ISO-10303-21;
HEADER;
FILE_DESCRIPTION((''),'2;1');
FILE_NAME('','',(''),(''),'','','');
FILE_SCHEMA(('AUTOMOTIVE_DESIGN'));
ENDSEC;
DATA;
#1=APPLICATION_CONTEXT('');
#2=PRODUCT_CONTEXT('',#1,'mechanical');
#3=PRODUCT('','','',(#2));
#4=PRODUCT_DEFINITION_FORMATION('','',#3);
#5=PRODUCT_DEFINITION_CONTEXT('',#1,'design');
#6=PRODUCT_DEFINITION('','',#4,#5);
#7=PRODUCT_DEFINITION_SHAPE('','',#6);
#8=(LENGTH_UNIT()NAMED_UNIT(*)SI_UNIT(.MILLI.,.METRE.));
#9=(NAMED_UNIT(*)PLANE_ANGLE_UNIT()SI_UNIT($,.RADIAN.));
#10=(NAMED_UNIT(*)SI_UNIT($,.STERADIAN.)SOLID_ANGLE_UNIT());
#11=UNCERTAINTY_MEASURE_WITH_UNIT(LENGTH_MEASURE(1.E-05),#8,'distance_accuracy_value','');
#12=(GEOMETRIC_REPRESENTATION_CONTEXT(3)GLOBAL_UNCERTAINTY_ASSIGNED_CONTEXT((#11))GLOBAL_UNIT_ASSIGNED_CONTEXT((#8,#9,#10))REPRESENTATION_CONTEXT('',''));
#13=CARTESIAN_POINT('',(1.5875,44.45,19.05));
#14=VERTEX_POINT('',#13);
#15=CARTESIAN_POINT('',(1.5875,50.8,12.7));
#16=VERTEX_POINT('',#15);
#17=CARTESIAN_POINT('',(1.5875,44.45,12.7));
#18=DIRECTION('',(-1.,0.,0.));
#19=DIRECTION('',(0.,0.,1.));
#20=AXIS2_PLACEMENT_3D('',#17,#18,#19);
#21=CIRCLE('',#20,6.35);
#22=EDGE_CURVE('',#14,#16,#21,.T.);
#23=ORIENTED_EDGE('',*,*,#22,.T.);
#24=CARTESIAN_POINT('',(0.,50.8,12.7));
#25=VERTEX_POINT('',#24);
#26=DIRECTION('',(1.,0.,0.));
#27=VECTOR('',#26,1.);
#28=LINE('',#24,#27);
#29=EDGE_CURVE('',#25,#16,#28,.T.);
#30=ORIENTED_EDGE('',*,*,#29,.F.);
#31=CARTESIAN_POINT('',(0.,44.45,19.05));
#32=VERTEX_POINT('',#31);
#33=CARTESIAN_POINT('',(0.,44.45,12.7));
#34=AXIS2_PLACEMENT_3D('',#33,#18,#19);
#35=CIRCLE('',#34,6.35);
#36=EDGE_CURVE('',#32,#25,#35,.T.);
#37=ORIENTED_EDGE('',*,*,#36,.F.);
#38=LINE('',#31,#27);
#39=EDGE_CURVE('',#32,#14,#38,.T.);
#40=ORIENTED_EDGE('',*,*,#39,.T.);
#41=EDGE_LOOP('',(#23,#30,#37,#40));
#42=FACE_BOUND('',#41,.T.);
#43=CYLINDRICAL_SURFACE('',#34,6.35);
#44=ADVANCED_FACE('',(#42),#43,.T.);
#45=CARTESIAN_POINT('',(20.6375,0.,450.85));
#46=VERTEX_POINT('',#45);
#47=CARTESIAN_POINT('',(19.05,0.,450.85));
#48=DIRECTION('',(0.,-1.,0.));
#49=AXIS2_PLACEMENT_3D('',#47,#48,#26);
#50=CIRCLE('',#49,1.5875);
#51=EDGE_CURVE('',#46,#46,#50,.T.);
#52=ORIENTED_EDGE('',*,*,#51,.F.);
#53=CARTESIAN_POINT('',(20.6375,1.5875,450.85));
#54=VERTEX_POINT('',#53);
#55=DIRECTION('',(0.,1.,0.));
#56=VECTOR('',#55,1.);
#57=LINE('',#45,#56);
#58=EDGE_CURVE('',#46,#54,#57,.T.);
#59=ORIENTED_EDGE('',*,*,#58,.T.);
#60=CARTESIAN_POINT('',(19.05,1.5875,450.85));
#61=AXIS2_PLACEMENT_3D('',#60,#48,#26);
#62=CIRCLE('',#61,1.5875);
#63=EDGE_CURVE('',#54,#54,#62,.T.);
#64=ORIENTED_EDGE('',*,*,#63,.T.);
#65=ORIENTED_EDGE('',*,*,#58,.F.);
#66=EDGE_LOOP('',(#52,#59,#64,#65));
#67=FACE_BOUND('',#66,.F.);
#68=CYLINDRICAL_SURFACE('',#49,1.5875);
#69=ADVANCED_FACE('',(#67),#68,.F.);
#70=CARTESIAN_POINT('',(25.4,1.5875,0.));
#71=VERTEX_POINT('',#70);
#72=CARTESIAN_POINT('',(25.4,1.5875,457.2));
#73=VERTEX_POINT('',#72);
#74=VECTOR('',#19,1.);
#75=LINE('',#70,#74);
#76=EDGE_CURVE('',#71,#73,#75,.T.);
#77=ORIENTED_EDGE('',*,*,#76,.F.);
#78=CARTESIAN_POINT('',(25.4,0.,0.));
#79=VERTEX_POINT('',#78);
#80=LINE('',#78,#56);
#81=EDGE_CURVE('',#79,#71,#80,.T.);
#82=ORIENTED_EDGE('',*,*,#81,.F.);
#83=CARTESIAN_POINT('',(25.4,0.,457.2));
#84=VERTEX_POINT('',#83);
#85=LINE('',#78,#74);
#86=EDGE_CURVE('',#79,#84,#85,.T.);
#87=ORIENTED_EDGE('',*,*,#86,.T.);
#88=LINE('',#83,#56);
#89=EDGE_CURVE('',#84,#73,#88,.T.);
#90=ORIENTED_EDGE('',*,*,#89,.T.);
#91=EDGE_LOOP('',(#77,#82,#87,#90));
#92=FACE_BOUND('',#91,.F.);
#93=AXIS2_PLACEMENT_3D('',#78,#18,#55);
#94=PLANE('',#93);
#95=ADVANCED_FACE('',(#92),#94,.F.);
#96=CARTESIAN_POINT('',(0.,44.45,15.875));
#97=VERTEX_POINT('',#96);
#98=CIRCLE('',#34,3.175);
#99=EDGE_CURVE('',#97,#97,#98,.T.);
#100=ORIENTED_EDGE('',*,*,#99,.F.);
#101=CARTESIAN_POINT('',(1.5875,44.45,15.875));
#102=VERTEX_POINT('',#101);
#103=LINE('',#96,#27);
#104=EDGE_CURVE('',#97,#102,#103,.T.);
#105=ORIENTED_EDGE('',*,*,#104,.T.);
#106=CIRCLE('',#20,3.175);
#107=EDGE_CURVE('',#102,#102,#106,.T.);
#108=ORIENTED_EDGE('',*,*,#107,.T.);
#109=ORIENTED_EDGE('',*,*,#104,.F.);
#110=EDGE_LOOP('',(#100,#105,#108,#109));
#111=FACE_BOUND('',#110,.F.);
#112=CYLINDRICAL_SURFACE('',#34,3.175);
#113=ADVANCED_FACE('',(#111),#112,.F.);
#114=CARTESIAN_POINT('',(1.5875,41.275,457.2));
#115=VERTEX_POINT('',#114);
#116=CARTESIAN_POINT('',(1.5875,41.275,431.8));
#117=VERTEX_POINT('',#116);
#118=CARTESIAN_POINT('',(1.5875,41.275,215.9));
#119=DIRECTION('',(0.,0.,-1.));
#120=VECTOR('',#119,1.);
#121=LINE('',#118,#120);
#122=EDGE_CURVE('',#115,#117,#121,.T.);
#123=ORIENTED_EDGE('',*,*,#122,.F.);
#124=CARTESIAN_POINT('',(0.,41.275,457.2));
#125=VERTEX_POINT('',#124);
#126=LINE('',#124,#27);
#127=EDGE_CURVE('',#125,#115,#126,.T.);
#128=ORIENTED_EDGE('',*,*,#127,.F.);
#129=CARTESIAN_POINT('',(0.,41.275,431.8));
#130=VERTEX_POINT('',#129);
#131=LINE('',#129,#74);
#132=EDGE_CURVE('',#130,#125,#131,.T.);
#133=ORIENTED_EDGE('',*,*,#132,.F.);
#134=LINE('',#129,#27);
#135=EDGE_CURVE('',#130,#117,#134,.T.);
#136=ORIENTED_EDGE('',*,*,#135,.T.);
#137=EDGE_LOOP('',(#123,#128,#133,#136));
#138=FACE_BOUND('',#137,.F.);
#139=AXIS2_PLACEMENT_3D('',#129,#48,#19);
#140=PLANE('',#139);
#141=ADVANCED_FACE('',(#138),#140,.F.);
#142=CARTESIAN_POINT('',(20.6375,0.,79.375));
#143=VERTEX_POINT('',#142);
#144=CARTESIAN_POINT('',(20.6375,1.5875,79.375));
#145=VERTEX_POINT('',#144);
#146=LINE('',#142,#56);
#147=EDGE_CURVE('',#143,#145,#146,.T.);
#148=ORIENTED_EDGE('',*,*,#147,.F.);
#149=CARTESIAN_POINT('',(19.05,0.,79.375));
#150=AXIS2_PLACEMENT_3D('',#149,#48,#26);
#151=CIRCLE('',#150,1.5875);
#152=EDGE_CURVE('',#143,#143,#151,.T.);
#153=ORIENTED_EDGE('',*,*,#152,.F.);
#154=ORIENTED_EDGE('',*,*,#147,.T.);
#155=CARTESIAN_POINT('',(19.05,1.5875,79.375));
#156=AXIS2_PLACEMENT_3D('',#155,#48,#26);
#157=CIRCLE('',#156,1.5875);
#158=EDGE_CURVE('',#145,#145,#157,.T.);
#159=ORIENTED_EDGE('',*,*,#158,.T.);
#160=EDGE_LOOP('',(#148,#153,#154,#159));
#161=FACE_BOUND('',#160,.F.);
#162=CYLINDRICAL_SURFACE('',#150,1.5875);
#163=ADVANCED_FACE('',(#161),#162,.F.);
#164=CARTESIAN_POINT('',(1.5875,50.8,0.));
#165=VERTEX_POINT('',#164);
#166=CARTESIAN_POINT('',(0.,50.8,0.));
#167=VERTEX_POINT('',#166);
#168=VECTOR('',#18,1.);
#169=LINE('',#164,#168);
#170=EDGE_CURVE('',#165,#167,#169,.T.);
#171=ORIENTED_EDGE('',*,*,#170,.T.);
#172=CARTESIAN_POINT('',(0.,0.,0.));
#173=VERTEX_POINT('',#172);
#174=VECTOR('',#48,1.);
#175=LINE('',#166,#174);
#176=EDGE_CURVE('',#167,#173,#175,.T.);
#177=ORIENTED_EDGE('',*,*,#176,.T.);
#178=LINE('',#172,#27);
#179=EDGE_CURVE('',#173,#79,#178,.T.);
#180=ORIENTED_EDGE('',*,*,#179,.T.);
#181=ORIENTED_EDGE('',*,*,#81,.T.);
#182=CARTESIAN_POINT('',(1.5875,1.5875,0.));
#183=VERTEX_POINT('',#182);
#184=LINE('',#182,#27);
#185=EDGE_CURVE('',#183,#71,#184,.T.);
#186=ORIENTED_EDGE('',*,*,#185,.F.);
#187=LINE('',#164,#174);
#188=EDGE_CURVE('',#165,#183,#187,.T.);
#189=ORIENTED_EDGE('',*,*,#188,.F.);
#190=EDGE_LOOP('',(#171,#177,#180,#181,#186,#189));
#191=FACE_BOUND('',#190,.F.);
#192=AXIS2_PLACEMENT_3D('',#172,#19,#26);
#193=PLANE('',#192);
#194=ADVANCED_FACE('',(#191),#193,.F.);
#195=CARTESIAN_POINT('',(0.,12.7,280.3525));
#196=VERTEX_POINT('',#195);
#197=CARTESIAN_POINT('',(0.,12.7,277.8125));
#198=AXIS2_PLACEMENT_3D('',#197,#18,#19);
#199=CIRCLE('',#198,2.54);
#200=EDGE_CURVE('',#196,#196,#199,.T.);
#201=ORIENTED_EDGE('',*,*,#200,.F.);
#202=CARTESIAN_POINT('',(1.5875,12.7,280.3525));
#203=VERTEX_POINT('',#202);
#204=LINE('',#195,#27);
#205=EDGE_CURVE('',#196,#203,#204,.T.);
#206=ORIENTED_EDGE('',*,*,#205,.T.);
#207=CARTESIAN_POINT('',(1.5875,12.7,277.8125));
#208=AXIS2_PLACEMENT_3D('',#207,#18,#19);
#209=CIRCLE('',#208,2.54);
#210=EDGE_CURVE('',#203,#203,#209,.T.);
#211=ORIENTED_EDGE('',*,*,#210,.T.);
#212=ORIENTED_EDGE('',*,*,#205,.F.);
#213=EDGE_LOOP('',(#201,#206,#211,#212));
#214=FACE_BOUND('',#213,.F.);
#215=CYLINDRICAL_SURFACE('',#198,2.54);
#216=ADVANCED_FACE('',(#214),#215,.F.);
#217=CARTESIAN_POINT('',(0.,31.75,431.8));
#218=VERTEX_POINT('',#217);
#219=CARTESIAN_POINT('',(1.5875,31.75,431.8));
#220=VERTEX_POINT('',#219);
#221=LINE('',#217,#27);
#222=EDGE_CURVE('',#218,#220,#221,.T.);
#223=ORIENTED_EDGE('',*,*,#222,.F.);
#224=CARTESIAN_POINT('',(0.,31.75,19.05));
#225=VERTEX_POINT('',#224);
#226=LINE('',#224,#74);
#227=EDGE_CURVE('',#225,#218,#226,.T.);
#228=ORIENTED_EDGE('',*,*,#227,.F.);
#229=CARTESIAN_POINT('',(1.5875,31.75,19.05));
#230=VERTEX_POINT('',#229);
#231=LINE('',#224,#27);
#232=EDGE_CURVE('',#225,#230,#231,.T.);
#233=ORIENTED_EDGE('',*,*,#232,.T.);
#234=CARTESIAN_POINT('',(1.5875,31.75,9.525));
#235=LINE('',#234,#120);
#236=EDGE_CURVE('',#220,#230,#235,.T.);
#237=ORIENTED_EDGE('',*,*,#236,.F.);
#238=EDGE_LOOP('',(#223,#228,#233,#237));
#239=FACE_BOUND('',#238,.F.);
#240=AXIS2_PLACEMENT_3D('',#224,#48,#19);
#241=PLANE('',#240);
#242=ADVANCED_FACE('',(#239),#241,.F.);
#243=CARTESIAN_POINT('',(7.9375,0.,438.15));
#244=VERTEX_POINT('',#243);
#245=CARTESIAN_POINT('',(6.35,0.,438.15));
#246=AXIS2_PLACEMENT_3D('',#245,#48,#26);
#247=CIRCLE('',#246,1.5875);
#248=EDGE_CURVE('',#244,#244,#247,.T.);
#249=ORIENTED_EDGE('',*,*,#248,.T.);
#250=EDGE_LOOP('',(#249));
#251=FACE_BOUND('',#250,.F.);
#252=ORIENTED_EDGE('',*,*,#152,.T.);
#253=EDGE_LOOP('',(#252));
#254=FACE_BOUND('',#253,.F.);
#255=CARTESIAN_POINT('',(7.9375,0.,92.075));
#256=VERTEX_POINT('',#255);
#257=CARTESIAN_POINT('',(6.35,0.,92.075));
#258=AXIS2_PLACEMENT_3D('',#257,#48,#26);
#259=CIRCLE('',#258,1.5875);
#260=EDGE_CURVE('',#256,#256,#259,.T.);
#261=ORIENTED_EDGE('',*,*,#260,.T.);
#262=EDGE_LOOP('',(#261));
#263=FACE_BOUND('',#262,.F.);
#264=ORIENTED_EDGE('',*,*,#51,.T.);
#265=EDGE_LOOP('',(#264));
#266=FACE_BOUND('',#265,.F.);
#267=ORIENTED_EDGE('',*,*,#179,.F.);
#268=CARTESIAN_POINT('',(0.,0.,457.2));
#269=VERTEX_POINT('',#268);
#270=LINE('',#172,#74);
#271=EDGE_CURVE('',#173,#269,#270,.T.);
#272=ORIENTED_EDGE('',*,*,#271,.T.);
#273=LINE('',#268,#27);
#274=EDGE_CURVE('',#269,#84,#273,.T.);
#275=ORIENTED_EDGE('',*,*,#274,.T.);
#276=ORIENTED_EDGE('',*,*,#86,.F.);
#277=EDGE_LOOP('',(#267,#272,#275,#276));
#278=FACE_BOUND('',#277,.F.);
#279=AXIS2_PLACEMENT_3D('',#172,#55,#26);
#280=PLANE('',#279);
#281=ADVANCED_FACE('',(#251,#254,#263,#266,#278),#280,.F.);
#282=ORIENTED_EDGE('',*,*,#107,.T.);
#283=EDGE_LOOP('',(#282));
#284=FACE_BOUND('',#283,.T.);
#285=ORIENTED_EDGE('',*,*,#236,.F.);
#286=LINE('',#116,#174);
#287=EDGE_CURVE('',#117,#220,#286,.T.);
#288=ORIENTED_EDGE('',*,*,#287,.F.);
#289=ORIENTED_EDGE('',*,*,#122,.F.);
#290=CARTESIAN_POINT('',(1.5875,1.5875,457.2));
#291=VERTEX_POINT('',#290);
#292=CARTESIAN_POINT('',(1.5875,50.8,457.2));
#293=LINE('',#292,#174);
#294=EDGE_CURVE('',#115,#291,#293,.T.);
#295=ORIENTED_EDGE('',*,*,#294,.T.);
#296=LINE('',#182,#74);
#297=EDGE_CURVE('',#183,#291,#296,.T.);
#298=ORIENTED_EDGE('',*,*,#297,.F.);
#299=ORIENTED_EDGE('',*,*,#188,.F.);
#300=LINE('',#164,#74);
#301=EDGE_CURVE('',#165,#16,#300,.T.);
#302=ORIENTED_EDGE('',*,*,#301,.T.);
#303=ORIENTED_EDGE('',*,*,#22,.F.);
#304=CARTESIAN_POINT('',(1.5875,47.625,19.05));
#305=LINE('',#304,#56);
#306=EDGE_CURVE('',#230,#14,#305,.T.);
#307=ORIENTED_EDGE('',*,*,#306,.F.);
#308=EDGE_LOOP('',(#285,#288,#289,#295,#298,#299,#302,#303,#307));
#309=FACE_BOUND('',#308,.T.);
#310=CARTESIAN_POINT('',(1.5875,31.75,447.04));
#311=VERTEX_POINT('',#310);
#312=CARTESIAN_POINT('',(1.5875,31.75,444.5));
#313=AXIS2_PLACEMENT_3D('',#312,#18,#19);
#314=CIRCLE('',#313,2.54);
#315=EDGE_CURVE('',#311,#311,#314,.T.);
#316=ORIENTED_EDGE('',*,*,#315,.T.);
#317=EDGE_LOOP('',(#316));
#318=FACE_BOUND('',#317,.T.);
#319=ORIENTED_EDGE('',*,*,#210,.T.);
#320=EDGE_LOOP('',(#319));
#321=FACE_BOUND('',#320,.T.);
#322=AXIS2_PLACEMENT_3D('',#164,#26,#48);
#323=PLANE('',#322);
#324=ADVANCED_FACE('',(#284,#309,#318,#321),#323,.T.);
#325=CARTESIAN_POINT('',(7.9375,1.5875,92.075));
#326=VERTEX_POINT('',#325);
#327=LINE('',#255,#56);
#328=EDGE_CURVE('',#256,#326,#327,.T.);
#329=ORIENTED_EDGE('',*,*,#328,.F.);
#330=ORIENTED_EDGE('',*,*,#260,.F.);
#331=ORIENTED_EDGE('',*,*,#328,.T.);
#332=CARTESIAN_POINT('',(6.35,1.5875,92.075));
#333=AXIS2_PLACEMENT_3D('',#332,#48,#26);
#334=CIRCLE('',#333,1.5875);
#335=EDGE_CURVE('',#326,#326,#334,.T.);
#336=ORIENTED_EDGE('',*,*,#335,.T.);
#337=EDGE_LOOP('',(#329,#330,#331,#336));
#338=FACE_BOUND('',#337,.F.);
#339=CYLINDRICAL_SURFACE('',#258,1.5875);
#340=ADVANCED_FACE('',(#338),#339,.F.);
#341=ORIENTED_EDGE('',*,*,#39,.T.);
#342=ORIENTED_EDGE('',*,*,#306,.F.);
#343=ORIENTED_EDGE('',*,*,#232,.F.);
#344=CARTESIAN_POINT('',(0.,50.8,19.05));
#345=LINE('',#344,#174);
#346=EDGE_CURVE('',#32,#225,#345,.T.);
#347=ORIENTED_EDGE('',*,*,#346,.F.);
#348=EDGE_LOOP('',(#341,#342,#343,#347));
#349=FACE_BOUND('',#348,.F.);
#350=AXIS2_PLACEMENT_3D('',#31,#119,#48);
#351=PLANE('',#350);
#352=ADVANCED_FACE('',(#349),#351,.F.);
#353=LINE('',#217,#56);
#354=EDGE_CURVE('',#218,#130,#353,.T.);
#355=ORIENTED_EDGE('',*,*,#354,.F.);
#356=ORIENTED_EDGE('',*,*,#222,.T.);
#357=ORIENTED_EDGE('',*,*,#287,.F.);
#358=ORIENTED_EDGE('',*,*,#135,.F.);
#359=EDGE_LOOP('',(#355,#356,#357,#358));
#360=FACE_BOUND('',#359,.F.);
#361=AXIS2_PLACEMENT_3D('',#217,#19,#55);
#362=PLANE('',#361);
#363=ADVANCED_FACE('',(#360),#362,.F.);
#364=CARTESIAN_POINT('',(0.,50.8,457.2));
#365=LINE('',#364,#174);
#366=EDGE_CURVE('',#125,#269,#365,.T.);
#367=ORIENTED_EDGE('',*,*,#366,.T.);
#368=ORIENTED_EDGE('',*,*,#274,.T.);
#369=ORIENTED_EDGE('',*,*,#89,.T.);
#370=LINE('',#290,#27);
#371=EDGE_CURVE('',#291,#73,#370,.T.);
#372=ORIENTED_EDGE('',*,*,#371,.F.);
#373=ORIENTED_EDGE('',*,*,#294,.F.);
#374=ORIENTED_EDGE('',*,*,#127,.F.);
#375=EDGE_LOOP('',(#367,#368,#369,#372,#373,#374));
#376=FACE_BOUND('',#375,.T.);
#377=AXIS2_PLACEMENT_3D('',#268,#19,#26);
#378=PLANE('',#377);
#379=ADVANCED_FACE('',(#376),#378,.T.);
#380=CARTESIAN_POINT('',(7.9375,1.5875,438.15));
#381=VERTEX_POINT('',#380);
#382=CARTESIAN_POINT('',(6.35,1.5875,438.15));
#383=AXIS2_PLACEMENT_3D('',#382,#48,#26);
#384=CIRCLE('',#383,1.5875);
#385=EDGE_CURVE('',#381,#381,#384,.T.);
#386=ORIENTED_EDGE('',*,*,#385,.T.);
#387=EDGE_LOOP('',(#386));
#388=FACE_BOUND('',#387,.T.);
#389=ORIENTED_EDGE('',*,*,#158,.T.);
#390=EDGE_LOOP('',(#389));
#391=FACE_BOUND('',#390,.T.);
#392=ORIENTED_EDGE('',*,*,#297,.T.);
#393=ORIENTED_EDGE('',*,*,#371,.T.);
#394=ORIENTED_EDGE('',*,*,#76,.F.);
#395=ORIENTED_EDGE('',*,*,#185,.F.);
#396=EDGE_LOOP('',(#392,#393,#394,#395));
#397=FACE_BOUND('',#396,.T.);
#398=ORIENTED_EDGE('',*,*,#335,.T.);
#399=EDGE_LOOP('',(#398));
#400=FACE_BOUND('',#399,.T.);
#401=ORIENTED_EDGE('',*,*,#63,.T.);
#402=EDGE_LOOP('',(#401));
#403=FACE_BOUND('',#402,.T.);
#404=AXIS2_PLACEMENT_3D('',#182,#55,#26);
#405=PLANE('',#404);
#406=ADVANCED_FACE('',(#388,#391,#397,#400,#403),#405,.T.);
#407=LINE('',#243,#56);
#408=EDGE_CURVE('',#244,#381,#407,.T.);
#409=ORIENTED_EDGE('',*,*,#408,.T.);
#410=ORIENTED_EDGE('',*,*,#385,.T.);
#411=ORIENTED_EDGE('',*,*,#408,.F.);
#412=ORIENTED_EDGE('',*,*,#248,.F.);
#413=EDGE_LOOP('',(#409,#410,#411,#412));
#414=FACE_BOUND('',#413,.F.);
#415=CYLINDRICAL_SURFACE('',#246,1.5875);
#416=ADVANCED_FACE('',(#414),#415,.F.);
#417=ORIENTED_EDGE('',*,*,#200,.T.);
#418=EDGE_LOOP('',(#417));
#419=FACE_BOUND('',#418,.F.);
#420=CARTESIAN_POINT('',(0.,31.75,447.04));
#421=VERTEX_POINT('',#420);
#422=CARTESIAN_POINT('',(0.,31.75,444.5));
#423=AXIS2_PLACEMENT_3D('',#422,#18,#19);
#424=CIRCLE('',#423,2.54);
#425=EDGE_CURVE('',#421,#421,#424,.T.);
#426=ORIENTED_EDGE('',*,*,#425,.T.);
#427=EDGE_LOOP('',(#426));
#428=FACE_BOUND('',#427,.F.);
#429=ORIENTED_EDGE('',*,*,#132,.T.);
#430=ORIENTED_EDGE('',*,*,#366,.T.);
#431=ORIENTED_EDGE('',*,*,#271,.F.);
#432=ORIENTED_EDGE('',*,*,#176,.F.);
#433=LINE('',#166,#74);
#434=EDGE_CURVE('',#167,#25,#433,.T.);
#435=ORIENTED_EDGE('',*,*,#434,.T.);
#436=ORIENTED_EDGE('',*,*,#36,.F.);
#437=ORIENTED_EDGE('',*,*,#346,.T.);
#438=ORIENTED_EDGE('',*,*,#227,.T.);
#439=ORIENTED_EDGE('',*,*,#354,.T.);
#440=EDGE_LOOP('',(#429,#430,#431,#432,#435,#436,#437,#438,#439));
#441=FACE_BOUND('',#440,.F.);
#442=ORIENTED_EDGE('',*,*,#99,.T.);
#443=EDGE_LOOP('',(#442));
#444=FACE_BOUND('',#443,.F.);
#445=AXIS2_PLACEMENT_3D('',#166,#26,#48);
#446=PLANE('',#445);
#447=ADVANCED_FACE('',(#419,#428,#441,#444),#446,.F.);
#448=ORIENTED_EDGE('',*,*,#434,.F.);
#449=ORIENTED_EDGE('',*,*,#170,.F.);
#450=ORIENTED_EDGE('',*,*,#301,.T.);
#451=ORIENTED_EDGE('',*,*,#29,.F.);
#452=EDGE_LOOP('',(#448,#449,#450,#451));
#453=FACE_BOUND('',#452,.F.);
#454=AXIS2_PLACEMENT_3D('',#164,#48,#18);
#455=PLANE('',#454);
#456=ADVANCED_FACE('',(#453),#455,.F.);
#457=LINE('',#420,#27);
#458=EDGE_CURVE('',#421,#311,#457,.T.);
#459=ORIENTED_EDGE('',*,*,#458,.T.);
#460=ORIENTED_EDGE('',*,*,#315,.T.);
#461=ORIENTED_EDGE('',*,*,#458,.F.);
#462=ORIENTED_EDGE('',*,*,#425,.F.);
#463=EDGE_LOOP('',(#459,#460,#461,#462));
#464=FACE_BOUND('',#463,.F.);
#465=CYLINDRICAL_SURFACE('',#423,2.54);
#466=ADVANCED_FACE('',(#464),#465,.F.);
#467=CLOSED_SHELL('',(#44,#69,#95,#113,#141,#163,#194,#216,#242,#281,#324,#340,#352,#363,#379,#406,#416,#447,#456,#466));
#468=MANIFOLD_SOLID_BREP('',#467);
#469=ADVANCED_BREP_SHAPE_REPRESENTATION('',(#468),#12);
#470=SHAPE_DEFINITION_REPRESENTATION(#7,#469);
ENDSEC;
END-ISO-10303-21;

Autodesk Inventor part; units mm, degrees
ref_plane "YZ Plane" through (0, 0, 0) normal (1, 0, 0) x (0, 1, 0)
ref_plane "XZ Plane" through (0, 0, 0) normal (0, 1, 0) x (-1, 0, 0)
ref_plane "XY Plane" through (0, 0, 0) normal (0, 0, 1) x (1, 0, 0)
sketch "Sketch1" plane through (0, 0, 0) normal (0, 0, 1) x (1, 0, 0)
  line L0 (0, 0) -> (25.4, 0)
  line L1 (25.4, 0) -> (25.4, 1.5875)
  line L2 (1.5875, 50.8) -> (0, 50.8)
  line L3 (0, 50.8) -> (0, 0)
  line L4 (1.5875, 50.8) -> (1.5875, 1.5875)
  line L5 (1.5875, 1.5875) -> (25.4, 1.5875)
  dimension "d0" = 1.5875
  dimension "d1" = 1.5875
  dimension "d2" = 25.4
  dimension "d3" = 50.8
extrude "Extrusion1" add sketch "Sketch1" along normal blind 457.2
sketch "Sketch2" plane through (0, 0, 0) normal (-1, 0, 0) x (0, 0, 1)
  line L0 (457.2, 0) -> (457.2, 50.8) projected
  line L1 (0, 50.8) -> (457.2, 50.8) projected
  line L2 (0, 50.8) -> (0, 0) projected
  line L3 (0, 0) -> (457.2, 0) projected
  line L4 (19.05, 50.8) -> (19.05, 31.75)
  line L5 (19.05, 31.75) -> (431.8, 31.75)
  circle A0 centre (12.7, 44.45) radius 3.175
  arc A1 (19.05, 44.45) -> (12.7, 50.8) centre (12.7, 44.45) ccw
  circle A2 centre (444.5, 31.75) radius 11.1125 construction
  line L6 (431.8, 31.75) -> (431.8, 41.275)
  circle A3 centre (444.5, 31.75) radius 2.54
  line L7 (431.8, 41.275) -> (457.2, 41.275)
  circle A4 centre (277.8125, 12.7) radius 11.1125 construction
  circle A5 centre (277.8125, 12.7) radius 2.54
  line L8 (266.7, 0) -> (266.7, -29.1939)
  dimension "d6" = 19.05
  dimension "d7" = 19.05
  dimension "d8" = 6.35
  dimension "d9" = 12.7
  dimension "d10" = 6.35
  dimension "d13" = 22.225
  dimension "d14" = 25.4
  dimension "d15" = 5.08
  dimension "d16" = 31.75
  dimension "d17" = 12.7
  dimension "d18" = 9.525
  dimension "d19" = 12.7
  dimension "d27" = 190.5
extrude "Extrusion2" cut sketch "Sketch2" against normal through all contours L7 L6 L5 L4 L1 L0 | L4 A1 L1 | A0 | A3 | A5
sketch "Sketch3" plane through (0, 0, 0) normal (0, -1, 0) x (1, 0, 0)
  line L0 (0, 0) -> (0, 457.2)
  line L1 (0, 0) -> (25.4, 0) projected
  line L2 (25.4, 0) -> (25.4, 457.2)
  circle A0 centre (19.05, 79.375) radius 1.5875
  circle A1 centre (6.35, 92.075) radius 1.5875
  line L3 (0, 265.1125) -> (25.4, 265.1125) construction
  circle A2 centre (19.05, 450.85) radius 1.5875
  circle A3 centre (6.35, 438.15) radius 1.5875
  line L4 (25.4, 457.2) -> (0, 457.2) projected
  line L5 (25.4, 0) -> (25.4, 457.2) projected
  line L6 (0, 0) -> (0, 457.2) projected
  dimension "d20" = 3.175
  dimension "d21" = 6.35
  dimension "d22" = 6.35
  dimension "d24" = 79.375
  dimension "d28" = 6.35
  dimension "d29" = 6.35
  dimension "d30" = 12.7
extrude "Extrusion3" cut sketch "Sketch3" against normal through all contours A0 | A1 | A2 | A3
equation "\"d0\" = d1"
properties part number "8 ball top roller L frame"
